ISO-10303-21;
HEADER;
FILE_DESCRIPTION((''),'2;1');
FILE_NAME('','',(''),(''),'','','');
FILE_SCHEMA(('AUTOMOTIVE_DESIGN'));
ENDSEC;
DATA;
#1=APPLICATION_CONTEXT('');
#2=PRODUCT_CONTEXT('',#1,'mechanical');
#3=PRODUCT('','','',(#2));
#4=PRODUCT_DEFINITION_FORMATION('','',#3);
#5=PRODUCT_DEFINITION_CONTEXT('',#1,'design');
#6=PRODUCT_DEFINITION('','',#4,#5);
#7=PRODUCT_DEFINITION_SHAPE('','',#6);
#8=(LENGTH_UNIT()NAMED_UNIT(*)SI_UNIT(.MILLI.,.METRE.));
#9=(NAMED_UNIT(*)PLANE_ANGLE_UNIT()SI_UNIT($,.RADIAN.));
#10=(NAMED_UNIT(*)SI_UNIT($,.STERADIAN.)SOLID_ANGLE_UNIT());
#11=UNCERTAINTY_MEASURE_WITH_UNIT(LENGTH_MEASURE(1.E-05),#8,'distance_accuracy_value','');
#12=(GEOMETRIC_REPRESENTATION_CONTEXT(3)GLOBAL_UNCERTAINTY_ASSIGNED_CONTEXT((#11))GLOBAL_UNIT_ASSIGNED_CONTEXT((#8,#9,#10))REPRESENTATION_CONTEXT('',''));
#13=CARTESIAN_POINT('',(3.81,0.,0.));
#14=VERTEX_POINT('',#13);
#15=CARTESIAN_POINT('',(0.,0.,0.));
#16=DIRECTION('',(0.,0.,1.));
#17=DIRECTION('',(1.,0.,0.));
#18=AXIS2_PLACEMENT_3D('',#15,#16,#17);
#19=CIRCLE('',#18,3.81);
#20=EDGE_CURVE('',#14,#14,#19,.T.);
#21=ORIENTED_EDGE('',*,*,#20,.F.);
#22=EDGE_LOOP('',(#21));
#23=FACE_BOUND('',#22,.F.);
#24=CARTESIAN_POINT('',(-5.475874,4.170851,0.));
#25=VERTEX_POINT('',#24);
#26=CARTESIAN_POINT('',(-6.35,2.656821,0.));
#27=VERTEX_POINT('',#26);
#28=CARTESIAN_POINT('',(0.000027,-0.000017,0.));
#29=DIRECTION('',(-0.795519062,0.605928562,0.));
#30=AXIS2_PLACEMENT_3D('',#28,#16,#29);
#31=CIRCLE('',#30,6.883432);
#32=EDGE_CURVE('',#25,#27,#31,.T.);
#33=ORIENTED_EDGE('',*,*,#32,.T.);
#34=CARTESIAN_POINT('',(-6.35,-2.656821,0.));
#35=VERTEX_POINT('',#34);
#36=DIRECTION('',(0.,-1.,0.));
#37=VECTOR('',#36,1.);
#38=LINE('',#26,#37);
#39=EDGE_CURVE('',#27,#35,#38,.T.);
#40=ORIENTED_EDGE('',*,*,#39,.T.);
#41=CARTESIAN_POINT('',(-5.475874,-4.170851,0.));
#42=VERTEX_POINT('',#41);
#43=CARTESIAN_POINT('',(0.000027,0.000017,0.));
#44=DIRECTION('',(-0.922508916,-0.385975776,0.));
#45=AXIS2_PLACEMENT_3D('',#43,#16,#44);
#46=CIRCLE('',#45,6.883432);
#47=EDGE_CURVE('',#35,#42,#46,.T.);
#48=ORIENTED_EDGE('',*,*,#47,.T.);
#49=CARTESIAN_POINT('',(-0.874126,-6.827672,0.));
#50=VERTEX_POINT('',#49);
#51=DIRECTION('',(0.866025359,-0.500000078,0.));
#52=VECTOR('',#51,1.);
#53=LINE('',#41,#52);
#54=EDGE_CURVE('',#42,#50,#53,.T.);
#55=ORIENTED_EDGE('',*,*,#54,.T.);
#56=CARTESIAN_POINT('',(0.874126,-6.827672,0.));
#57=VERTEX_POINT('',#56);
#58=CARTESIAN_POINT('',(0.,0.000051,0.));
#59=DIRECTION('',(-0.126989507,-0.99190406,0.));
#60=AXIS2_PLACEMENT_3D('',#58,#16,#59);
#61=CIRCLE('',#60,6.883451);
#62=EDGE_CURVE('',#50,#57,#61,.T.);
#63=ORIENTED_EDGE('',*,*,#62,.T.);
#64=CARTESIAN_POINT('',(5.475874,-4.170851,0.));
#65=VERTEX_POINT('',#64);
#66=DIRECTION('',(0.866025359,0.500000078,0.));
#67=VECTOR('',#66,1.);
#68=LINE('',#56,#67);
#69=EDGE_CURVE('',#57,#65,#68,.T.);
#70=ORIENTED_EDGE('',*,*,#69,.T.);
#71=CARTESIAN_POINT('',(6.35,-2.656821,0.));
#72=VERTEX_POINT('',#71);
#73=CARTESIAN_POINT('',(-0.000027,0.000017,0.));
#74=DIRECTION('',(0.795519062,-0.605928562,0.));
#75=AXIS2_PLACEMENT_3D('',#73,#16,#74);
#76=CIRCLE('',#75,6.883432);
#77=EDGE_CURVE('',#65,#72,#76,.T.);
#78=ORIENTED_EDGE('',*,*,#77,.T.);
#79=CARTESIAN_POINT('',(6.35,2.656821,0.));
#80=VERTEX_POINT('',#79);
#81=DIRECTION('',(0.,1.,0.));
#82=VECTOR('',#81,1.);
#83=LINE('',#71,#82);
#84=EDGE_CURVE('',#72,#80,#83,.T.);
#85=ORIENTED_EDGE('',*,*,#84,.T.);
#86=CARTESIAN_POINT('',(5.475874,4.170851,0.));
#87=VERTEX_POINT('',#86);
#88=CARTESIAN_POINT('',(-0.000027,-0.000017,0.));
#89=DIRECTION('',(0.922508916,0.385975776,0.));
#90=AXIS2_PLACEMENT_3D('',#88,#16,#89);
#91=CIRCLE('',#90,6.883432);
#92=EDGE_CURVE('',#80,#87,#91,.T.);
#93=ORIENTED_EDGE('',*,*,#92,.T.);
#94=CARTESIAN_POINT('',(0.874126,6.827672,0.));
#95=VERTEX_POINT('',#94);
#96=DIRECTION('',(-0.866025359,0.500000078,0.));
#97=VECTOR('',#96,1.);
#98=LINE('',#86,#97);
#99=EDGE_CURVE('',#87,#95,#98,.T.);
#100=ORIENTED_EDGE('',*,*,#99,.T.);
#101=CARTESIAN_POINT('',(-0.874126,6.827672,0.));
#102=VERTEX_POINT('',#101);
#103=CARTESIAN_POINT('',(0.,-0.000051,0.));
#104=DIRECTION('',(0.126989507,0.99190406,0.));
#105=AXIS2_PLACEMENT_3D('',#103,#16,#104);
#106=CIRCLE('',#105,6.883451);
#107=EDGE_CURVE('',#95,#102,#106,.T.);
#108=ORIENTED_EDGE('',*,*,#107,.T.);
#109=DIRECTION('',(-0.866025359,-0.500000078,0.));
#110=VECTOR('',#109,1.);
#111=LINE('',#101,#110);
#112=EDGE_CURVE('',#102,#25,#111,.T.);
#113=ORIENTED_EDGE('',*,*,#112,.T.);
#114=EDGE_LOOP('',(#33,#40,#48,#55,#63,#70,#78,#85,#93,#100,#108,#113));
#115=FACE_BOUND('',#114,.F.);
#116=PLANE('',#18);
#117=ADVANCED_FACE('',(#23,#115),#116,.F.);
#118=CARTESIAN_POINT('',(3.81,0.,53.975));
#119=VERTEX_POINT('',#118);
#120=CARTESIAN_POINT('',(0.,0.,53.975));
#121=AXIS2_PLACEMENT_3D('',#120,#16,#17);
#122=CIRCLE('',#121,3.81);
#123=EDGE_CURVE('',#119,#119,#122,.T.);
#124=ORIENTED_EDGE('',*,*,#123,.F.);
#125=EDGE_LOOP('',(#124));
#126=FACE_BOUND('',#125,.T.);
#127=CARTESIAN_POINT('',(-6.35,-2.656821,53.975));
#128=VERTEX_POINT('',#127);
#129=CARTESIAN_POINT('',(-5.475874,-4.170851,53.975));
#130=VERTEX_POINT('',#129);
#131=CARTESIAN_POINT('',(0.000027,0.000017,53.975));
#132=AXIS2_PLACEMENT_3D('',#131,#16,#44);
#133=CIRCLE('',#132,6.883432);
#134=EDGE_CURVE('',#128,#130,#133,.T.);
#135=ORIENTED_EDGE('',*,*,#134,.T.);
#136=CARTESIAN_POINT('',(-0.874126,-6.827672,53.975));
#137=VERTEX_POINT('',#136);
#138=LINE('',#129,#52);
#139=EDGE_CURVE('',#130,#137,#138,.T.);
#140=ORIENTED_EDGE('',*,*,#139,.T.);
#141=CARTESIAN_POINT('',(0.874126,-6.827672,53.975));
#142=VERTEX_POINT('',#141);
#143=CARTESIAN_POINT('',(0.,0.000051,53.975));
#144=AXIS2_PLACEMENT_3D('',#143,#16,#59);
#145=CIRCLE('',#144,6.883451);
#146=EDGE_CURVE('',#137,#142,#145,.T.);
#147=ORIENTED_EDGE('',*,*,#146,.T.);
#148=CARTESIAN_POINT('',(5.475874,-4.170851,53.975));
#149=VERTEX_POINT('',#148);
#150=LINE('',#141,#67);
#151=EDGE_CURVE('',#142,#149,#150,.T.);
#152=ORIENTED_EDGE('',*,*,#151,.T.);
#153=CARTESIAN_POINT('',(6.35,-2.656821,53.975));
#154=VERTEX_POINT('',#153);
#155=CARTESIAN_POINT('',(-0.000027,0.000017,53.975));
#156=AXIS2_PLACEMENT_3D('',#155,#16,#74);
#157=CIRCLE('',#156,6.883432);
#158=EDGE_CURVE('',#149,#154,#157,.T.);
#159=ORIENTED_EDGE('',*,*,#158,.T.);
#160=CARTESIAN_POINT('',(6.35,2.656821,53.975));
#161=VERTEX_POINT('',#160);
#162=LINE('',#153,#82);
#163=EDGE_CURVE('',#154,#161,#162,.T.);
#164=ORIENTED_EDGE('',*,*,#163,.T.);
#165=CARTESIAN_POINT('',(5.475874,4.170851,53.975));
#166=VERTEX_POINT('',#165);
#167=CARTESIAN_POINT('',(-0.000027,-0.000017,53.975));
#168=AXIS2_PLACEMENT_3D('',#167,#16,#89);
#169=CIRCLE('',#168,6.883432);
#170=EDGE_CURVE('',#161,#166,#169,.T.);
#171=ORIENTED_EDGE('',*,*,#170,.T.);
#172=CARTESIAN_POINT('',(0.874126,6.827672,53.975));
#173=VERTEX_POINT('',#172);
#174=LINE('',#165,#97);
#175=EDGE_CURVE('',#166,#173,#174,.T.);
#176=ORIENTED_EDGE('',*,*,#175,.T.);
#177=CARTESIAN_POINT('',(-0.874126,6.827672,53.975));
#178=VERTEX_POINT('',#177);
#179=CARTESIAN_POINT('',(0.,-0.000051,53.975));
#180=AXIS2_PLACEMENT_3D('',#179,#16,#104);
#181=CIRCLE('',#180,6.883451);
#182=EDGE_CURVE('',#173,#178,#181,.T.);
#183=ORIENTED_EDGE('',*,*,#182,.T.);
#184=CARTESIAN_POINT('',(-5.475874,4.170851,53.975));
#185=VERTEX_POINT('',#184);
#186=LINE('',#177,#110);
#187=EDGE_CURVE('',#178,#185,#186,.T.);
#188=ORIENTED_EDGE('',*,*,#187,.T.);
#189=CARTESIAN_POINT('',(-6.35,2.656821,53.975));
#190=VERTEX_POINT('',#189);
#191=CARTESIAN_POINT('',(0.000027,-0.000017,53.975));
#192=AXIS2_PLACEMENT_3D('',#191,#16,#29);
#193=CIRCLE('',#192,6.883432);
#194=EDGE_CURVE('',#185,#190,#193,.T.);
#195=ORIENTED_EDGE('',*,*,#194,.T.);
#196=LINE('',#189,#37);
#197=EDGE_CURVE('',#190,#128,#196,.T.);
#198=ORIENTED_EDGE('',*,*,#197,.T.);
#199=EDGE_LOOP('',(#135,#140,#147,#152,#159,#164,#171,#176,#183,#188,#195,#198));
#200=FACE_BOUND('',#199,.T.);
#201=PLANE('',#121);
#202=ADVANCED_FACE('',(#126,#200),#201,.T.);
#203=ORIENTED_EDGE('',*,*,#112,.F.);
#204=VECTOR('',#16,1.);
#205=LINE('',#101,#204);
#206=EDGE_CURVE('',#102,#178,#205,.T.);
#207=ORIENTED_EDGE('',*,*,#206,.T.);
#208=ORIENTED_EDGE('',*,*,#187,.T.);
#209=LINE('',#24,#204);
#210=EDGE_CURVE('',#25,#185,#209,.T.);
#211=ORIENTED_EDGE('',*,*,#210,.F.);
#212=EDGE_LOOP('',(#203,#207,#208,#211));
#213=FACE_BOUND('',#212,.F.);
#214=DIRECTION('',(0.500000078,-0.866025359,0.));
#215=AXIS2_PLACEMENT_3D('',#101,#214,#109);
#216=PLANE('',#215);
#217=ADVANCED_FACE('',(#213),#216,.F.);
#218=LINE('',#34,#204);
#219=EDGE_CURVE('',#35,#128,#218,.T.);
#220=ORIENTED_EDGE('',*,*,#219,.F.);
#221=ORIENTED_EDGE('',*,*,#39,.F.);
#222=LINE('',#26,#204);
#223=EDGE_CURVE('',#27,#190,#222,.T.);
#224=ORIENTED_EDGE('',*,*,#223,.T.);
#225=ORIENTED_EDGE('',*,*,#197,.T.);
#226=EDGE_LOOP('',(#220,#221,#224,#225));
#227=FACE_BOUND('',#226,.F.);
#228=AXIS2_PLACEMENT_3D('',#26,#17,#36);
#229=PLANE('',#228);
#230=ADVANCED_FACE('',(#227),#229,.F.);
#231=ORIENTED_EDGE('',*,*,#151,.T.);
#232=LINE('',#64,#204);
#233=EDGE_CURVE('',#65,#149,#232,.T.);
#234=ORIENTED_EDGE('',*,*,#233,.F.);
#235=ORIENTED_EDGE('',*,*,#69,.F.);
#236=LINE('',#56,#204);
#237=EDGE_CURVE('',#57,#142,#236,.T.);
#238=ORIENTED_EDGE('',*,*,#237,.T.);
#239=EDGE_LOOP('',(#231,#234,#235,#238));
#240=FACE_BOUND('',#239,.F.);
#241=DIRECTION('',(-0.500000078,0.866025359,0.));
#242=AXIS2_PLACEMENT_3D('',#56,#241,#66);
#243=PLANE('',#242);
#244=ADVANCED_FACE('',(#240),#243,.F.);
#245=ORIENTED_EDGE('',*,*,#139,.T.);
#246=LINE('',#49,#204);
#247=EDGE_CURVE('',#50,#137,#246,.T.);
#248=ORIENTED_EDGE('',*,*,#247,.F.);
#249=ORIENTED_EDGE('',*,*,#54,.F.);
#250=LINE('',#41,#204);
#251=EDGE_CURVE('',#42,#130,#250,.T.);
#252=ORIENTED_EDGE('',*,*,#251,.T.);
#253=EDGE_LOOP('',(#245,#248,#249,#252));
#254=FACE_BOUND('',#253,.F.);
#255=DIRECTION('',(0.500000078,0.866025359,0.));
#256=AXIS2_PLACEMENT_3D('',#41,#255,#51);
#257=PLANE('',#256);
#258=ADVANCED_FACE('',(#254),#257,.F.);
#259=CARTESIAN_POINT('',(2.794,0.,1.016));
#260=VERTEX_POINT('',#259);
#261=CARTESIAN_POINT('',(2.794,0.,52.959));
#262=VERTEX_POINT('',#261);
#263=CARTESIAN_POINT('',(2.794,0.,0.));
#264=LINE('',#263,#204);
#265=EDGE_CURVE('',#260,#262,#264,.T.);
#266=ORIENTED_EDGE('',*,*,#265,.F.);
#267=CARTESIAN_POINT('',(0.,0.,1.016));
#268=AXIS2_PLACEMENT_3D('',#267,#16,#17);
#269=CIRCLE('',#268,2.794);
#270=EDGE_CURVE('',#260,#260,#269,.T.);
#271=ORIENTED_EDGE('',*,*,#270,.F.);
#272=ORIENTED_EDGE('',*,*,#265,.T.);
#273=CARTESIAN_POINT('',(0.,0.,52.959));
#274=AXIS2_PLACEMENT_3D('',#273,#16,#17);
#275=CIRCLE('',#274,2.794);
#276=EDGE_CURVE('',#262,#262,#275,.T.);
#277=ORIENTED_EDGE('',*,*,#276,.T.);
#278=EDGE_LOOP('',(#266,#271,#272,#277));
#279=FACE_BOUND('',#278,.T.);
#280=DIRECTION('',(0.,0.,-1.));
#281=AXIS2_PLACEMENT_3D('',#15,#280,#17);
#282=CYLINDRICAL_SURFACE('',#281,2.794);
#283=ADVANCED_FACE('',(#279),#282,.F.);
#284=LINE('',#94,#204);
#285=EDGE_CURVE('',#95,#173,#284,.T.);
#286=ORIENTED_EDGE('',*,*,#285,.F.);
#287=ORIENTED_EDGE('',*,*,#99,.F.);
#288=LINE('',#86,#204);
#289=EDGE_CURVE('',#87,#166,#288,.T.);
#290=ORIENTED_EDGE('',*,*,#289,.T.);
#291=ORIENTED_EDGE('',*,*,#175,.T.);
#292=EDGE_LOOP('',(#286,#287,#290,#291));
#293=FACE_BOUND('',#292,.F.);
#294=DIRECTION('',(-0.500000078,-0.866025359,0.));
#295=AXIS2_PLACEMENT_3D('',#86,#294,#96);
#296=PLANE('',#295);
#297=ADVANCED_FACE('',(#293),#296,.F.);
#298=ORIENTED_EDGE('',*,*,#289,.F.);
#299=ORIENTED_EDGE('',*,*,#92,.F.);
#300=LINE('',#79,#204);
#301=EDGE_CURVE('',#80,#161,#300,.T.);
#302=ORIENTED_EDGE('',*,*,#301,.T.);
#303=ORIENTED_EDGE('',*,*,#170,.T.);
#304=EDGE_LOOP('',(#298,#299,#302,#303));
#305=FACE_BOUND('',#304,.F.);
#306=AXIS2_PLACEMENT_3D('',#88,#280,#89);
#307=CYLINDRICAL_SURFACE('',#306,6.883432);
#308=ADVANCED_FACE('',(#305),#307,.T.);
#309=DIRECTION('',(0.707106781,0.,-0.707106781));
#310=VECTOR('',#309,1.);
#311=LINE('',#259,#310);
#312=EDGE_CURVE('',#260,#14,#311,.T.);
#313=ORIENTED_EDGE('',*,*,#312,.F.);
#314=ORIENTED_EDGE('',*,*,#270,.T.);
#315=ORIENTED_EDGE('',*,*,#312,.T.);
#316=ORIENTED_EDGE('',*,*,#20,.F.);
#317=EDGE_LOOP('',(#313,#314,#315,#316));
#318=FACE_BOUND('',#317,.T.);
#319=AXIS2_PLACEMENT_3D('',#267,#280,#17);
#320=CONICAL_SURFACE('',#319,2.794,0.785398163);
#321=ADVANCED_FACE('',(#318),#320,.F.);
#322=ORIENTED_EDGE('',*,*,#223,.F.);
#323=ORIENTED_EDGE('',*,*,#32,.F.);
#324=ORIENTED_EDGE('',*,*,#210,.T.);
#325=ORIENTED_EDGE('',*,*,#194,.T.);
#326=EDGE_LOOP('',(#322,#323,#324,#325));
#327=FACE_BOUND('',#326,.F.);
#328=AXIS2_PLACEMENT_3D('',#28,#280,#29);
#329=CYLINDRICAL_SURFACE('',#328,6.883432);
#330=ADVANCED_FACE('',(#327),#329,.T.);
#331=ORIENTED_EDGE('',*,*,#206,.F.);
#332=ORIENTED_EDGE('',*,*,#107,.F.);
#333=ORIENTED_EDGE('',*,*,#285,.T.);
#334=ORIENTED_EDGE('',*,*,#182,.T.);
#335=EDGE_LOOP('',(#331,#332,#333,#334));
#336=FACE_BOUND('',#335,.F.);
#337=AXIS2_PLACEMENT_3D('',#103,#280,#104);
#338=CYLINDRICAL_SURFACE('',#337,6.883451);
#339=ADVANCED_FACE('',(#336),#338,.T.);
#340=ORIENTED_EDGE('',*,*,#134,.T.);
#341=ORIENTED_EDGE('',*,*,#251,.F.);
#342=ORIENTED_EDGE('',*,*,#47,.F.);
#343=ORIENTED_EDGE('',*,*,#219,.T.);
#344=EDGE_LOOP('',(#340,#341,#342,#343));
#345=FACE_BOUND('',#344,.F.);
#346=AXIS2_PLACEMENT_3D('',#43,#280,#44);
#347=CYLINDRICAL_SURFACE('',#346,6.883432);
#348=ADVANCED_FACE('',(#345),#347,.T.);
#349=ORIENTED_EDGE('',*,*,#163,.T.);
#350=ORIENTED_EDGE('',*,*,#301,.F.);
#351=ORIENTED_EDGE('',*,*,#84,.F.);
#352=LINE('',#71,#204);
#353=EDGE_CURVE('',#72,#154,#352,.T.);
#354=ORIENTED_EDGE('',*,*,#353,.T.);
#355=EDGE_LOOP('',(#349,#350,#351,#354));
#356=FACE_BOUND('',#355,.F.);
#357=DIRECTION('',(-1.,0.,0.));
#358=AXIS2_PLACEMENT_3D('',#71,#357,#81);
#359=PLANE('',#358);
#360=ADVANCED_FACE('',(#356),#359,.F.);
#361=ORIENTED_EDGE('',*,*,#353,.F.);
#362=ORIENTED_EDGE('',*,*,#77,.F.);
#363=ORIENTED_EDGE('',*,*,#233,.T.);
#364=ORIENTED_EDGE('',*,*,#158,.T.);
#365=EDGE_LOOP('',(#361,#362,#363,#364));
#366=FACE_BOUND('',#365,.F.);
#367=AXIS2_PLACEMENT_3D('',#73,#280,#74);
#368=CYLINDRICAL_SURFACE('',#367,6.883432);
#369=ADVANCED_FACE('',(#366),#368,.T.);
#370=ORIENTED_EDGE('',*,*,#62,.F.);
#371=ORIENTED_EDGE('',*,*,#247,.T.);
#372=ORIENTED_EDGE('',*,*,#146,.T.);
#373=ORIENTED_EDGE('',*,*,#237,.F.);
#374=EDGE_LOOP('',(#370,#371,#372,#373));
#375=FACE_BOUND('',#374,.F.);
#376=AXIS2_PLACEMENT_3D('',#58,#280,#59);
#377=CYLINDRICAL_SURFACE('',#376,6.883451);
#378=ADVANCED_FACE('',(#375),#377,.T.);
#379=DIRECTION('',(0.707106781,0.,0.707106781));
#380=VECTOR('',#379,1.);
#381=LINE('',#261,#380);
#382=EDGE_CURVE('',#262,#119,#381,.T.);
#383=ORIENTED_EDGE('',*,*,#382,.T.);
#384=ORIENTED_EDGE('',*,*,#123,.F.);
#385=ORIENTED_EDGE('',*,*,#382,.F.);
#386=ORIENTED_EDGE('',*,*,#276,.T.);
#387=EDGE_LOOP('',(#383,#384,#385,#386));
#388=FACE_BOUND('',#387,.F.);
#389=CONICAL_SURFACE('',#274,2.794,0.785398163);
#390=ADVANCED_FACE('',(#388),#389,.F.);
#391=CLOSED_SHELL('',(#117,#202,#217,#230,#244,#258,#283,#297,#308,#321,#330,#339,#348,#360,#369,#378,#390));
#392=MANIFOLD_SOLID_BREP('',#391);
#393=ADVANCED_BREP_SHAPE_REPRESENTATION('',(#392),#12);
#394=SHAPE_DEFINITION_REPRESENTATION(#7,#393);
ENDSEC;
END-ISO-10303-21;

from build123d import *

# Parameters (mm, degrees)
F0_R     = 2.794
F1_DEPTH = 53.975
F2_SIZE  = 1.016


with BuildPart() as f1:
    # F0 (on Top) → F1 (new body)
    with BuildSketch(Plane.XY):
        with BuildLine():
            Line((6.35, -2.656821), (6.35, 2.656821))
            ThreePointArc((6.35, 2.656821), (5.961199, 3.4417), (5.475874, 4.170851))
            Line((5.475874, 4.170851), (0.874126, 6.827672))
            ThreePointArc((0.874126, 6.827672), (0, 6.8834), (-0.874126, 6.827672))
            Line((-0.874126, 6.827672), (-5.475874, 4.170851))
            ThreePointArc((-5.475874, 4.170851), (-5.961199, 3.4417), (-6.35, 2.656821))
            Line((-6.35, 2.656821), (-6.35, -2.656821))
            ThreePointArc((-6.35, -2.656821), (-5.961199, -3.4417), (-5.475874, -4.170851))
            Line((-5.475874, -4.170851), (-0.874126, -6.827672))
            ThreePointArc((-0.874126, -6.827672), (0, -6.8834), (0.874126, -6.827672))
            Line((0.874126, -6.827672), (5.475874, -4.170851))
            ThreePointArc((5.475874, -4.170851), (5.961199, -3.4417), (6.35, -2.656821))
        make_face()
        Circle(F0_R, mode=Mode.SUBTRACT)
    extrude(amount=F1_DEPTH)

    # F2
    f2_edges = [f1.edges().sort_by_distance(p)[0] for p in [
        (-2.794, 0, 53.975),
        (-2.794, 0, 0),
    ]]
    chamfer(f2_edges, length=F2_SIZE)


solid = f1.part
